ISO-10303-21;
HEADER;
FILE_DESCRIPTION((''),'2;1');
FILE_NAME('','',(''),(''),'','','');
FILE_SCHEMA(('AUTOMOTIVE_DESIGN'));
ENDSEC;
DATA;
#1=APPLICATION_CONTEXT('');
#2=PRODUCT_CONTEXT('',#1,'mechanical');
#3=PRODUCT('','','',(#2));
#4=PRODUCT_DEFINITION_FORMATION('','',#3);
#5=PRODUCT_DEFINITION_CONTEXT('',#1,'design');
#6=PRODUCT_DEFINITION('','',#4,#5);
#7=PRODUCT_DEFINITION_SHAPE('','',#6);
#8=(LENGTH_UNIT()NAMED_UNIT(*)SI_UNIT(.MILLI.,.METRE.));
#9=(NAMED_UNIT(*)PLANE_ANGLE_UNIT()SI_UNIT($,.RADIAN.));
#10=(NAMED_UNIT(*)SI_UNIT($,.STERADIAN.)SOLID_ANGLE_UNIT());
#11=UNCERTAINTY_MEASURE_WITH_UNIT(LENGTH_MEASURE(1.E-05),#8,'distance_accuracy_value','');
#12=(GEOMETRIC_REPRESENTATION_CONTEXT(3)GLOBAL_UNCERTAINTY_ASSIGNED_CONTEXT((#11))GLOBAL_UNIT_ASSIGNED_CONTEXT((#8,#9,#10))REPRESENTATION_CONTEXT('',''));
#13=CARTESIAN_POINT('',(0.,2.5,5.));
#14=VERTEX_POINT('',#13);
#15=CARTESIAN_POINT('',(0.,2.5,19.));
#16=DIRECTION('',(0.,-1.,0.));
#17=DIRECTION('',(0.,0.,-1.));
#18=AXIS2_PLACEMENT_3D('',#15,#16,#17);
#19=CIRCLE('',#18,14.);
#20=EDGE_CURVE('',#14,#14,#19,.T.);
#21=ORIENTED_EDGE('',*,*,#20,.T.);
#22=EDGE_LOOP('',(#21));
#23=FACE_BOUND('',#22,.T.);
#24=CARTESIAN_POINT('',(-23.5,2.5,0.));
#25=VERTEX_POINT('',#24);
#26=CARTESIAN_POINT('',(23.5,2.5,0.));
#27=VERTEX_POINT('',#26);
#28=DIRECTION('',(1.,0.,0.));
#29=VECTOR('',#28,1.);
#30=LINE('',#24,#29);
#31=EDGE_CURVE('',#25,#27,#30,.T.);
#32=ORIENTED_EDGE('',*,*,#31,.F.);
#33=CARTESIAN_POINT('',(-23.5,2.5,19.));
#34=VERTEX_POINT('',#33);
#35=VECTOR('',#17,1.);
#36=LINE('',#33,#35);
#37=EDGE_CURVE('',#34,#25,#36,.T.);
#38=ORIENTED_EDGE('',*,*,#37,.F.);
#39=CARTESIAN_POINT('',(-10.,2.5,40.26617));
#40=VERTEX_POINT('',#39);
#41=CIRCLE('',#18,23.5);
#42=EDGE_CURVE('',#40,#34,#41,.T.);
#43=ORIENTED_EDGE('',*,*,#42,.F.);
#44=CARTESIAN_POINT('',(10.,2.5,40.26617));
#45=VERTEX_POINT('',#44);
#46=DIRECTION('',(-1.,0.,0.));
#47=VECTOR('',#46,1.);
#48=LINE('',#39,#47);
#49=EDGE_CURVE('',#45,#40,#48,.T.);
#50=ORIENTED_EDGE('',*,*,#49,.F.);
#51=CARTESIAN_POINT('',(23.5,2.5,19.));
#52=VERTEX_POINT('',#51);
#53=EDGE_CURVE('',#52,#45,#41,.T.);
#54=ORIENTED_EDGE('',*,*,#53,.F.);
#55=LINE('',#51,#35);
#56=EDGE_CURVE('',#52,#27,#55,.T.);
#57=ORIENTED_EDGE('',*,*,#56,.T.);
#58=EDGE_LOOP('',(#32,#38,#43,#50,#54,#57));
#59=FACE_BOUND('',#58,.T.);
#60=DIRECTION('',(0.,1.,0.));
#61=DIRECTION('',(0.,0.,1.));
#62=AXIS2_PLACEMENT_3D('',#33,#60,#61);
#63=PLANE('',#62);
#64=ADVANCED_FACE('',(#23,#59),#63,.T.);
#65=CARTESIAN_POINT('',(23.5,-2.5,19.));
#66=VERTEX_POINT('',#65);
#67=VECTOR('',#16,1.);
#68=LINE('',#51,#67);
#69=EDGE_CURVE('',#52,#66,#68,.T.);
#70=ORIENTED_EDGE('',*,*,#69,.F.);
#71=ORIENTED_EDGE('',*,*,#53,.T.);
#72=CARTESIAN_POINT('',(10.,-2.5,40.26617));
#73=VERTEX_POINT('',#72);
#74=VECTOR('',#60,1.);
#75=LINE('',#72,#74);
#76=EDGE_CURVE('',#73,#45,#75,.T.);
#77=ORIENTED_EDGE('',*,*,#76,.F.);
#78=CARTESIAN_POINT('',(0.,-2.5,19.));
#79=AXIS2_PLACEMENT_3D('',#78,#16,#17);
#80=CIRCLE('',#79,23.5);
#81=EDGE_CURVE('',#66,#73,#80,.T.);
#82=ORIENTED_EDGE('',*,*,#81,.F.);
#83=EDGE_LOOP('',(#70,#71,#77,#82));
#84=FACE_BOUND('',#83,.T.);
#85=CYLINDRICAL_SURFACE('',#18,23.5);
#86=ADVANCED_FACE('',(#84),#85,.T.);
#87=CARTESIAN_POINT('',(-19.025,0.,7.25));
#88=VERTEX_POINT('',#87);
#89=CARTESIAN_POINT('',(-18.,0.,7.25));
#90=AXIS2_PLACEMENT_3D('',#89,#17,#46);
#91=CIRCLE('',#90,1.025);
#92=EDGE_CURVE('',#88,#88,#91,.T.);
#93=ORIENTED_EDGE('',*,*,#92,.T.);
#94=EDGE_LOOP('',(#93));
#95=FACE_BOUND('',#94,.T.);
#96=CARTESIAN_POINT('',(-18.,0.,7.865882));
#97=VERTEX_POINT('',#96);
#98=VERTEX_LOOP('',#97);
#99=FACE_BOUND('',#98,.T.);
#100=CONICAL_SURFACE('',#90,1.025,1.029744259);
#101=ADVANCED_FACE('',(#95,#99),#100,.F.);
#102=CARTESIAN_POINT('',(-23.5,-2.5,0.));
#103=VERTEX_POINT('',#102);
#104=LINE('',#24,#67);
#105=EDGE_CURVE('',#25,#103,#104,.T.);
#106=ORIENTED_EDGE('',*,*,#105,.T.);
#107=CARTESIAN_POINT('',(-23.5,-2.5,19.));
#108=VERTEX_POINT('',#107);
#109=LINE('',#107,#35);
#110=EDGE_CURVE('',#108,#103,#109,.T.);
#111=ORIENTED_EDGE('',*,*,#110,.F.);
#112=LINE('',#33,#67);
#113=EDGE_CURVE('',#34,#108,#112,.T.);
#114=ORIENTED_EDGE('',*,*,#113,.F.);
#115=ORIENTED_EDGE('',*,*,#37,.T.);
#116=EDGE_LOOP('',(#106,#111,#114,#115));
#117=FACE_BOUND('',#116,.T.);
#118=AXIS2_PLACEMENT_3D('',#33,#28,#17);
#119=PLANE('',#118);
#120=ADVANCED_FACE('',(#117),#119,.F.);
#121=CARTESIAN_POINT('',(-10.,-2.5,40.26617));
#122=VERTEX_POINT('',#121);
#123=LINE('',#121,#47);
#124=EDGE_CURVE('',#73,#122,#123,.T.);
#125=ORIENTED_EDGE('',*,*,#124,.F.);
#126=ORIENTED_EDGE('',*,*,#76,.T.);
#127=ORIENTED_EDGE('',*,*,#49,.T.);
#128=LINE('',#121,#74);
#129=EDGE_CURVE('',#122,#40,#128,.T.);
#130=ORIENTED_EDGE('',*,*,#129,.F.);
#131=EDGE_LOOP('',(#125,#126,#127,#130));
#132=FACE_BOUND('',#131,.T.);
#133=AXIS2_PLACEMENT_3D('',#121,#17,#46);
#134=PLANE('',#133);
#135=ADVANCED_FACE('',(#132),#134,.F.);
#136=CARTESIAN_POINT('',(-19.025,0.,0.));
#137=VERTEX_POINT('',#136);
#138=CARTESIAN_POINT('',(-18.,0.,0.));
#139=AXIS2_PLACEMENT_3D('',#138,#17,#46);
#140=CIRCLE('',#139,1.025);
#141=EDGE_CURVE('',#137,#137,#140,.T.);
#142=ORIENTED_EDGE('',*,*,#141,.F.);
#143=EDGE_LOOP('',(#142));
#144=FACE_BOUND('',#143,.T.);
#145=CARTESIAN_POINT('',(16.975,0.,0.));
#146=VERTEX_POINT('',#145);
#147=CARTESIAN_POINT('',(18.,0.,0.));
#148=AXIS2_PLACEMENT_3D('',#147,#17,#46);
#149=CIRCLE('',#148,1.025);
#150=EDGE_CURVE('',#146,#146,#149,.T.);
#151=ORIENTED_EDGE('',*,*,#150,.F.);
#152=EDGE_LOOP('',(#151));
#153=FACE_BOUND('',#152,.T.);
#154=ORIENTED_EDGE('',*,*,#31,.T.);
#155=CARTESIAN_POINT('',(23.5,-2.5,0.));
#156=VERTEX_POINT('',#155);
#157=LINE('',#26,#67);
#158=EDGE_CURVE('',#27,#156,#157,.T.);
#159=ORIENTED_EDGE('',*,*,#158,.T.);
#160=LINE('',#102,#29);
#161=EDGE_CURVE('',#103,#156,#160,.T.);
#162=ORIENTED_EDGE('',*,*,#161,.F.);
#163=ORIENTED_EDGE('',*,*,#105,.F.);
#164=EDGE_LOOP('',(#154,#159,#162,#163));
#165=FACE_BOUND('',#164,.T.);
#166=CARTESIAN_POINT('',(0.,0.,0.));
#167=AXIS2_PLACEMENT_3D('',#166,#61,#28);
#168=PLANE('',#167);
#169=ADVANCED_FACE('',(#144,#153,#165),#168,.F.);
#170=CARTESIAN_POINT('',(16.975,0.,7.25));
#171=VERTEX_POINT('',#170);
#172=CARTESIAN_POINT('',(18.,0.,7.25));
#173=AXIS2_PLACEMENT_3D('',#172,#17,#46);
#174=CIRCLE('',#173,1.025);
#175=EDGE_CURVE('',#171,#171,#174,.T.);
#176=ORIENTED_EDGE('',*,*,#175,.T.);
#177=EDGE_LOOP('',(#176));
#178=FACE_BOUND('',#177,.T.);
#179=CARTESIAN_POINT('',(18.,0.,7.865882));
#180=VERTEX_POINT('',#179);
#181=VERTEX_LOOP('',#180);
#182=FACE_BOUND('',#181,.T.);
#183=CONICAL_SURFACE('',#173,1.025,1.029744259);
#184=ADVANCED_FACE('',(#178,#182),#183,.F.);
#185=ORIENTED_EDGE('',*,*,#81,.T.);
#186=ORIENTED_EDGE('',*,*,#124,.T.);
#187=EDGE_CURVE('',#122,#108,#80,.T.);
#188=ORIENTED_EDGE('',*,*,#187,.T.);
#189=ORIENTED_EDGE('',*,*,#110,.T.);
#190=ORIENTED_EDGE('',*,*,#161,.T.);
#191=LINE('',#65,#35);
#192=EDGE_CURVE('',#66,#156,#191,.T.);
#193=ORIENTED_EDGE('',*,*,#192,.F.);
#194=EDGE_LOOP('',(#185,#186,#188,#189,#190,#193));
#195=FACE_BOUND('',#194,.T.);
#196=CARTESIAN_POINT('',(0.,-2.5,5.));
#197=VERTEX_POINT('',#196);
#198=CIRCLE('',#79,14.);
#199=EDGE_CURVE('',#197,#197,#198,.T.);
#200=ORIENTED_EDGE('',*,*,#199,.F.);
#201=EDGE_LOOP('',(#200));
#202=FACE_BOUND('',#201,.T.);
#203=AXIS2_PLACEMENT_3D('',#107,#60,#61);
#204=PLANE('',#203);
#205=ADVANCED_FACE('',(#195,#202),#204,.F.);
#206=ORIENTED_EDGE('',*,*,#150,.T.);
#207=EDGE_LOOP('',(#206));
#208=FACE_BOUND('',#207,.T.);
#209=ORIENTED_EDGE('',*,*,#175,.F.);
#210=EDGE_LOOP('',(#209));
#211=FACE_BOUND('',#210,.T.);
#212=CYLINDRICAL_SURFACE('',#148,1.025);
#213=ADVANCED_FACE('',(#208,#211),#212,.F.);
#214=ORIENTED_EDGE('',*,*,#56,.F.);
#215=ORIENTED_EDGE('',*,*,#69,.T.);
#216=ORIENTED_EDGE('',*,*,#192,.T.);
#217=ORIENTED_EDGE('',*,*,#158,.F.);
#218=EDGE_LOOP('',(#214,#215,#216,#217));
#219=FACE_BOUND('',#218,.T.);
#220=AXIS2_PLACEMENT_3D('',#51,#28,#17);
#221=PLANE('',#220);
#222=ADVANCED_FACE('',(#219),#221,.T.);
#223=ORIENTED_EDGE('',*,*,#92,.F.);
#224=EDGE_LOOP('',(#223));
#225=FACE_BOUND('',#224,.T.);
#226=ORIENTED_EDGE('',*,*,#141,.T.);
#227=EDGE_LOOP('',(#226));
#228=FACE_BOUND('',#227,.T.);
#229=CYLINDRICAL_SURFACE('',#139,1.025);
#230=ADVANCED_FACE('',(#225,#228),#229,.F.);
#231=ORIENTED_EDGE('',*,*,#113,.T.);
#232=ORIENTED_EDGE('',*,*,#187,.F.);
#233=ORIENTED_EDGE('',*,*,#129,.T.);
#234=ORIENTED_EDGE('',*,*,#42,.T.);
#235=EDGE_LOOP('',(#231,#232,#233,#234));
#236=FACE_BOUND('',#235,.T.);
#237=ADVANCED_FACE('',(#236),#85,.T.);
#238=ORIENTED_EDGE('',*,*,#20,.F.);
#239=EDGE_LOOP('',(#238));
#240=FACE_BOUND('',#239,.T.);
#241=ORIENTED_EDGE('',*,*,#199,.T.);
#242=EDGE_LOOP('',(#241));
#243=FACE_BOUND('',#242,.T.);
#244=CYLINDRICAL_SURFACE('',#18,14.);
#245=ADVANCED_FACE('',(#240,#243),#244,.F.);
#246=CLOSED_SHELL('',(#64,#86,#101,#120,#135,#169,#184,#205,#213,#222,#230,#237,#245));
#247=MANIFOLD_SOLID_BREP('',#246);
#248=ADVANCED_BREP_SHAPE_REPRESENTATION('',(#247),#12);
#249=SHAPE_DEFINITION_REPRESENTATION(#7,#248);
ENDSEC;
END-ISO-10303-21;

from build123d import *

# Parameters (mm, degrees)
SKETCH_1_W               = 47
SKETCH_1_H               = 5
EXTRUDE_1_DEPTH          = 19
SKETCH_2_R               = 23.5
EXTRUDE_2_DEPTH          = 5
M2_5X0_45_1_D            = 2.05
M2_5X0_45_1_DEPTH        = 7.25
M2_5X0_45_1_TIP          = 0.615882135
CUT_EXTRUDE_1_DEPTH      = 5
CUT_EXTRUDE_2_DEPTH      = 1
CUT_EXTRUDE_2_DEPTH_BACK = 6
CUT_EXTRUDE_3_DEPTH      = 5


with BuildPart() as part:
    # ｽｹｯﾁ1 → ﾎﾞｽ - 押し出し1 (new body)
    with BuildSketch(Plane.XY):
        Rectangle(SKETCH_1_W, SKETCH_1_H)
    extrude(amount=EXTRUDE_1_DEPTH)

    # ｽｹｯﾁ2 → ﾎﾞｽ - 押し出し2 (add)
    with BuildSketch(Plane.XZ.offset(2.5)):
        with Locations((0, 19)):
            Circle(SKETCH_2_R)
    extrude(amount=-EXTRUDE_2_DEPTH)

    # M2.5x0.45 ねじ穴1
    with Locations(Plane(origin=(0, 0, 0), x_dir=(-1, 0, 0), z_dir=(0, 0, -1))):
        with Locations((18, 0), (-18, 0)):
            Hole(M2_5X0_45_1_D / 2, depth=M2_5X0_45_1_DEPTH)
            with Locations((0, 0, -(M2_5X0_45_1_DEPTH + M2_5X0_45_1_TIP / 2))):  # 118° drill point
                Cone(0, M2_5X0_45_1_D / 2, M2_5X0_45_1_TIP, mode=Mode.SUBTRACT)

    # ｽｹｯﾁ3 → ｶｯﾄ - 押し出し1 (cut)
    with BuildSketch(Plane.XZ.offset(2.5)):
        with BuildLine():
            Line((14, 19), (0, 19))
            Line((0, 19), (-14, 19))
            ThreePointArc((-14, 19), (0, 5), (14, 19))
        make_face()
        with BuildLine():
            Line((-14, 19), (0, 19))
            Line((0, 19), (14, 19))
            ThreePointArc((14, 19), (0, 33), (-14, 19))
        make_face()
    extrude(amount=-CUT_EXTRUDE_1_DEPTH, mode=Mode.SUBTRACT)

    # ｽｹｯﾁ10 → ｶｯﾄ - 押し出し2 (cut, two sides)
    with BuildSketch(Plane.XZ.offset(2.5)) as cut_extrude_2_sk:
        Polygon((136.961591201, 0), (13.829316686, 0), (-13.829316686, 0), (-136.961591201, 0), (-136.961591201, -246.26454903), (136.961591201, -246.26454903), align=None)
    extrude(amount=CUT_EXTRUDE_2_DEPTH, mode=Mode.SUBTRACT)
    extrude(cut_extrude_2_sk.sketch, amount=-CUT_EXTRUDE_2_DEPTH_BACK, mode=Mode.SUBTRACT)

    # ｽｹｯﾁ11 → ｶｯﾄ - 押し出し3 (cut)
    with BuildSketch(Plane(origin=(0, 2.5, 0), x_dir=(1, 0, 0), z_dir=(0, 1, 0))):
        with BuildLine():
            Line((-10, -40.266170318), (10, -40.266170318))
            ThreePointArc((10, -40.266170318), (0, -42.5), (-10, -40.266170318))
        make_face()
    extrude(amount=-CUT_EXTRUDE_3_DEPTH, mode=Mode.SUBTRACT)


solid = part.part
